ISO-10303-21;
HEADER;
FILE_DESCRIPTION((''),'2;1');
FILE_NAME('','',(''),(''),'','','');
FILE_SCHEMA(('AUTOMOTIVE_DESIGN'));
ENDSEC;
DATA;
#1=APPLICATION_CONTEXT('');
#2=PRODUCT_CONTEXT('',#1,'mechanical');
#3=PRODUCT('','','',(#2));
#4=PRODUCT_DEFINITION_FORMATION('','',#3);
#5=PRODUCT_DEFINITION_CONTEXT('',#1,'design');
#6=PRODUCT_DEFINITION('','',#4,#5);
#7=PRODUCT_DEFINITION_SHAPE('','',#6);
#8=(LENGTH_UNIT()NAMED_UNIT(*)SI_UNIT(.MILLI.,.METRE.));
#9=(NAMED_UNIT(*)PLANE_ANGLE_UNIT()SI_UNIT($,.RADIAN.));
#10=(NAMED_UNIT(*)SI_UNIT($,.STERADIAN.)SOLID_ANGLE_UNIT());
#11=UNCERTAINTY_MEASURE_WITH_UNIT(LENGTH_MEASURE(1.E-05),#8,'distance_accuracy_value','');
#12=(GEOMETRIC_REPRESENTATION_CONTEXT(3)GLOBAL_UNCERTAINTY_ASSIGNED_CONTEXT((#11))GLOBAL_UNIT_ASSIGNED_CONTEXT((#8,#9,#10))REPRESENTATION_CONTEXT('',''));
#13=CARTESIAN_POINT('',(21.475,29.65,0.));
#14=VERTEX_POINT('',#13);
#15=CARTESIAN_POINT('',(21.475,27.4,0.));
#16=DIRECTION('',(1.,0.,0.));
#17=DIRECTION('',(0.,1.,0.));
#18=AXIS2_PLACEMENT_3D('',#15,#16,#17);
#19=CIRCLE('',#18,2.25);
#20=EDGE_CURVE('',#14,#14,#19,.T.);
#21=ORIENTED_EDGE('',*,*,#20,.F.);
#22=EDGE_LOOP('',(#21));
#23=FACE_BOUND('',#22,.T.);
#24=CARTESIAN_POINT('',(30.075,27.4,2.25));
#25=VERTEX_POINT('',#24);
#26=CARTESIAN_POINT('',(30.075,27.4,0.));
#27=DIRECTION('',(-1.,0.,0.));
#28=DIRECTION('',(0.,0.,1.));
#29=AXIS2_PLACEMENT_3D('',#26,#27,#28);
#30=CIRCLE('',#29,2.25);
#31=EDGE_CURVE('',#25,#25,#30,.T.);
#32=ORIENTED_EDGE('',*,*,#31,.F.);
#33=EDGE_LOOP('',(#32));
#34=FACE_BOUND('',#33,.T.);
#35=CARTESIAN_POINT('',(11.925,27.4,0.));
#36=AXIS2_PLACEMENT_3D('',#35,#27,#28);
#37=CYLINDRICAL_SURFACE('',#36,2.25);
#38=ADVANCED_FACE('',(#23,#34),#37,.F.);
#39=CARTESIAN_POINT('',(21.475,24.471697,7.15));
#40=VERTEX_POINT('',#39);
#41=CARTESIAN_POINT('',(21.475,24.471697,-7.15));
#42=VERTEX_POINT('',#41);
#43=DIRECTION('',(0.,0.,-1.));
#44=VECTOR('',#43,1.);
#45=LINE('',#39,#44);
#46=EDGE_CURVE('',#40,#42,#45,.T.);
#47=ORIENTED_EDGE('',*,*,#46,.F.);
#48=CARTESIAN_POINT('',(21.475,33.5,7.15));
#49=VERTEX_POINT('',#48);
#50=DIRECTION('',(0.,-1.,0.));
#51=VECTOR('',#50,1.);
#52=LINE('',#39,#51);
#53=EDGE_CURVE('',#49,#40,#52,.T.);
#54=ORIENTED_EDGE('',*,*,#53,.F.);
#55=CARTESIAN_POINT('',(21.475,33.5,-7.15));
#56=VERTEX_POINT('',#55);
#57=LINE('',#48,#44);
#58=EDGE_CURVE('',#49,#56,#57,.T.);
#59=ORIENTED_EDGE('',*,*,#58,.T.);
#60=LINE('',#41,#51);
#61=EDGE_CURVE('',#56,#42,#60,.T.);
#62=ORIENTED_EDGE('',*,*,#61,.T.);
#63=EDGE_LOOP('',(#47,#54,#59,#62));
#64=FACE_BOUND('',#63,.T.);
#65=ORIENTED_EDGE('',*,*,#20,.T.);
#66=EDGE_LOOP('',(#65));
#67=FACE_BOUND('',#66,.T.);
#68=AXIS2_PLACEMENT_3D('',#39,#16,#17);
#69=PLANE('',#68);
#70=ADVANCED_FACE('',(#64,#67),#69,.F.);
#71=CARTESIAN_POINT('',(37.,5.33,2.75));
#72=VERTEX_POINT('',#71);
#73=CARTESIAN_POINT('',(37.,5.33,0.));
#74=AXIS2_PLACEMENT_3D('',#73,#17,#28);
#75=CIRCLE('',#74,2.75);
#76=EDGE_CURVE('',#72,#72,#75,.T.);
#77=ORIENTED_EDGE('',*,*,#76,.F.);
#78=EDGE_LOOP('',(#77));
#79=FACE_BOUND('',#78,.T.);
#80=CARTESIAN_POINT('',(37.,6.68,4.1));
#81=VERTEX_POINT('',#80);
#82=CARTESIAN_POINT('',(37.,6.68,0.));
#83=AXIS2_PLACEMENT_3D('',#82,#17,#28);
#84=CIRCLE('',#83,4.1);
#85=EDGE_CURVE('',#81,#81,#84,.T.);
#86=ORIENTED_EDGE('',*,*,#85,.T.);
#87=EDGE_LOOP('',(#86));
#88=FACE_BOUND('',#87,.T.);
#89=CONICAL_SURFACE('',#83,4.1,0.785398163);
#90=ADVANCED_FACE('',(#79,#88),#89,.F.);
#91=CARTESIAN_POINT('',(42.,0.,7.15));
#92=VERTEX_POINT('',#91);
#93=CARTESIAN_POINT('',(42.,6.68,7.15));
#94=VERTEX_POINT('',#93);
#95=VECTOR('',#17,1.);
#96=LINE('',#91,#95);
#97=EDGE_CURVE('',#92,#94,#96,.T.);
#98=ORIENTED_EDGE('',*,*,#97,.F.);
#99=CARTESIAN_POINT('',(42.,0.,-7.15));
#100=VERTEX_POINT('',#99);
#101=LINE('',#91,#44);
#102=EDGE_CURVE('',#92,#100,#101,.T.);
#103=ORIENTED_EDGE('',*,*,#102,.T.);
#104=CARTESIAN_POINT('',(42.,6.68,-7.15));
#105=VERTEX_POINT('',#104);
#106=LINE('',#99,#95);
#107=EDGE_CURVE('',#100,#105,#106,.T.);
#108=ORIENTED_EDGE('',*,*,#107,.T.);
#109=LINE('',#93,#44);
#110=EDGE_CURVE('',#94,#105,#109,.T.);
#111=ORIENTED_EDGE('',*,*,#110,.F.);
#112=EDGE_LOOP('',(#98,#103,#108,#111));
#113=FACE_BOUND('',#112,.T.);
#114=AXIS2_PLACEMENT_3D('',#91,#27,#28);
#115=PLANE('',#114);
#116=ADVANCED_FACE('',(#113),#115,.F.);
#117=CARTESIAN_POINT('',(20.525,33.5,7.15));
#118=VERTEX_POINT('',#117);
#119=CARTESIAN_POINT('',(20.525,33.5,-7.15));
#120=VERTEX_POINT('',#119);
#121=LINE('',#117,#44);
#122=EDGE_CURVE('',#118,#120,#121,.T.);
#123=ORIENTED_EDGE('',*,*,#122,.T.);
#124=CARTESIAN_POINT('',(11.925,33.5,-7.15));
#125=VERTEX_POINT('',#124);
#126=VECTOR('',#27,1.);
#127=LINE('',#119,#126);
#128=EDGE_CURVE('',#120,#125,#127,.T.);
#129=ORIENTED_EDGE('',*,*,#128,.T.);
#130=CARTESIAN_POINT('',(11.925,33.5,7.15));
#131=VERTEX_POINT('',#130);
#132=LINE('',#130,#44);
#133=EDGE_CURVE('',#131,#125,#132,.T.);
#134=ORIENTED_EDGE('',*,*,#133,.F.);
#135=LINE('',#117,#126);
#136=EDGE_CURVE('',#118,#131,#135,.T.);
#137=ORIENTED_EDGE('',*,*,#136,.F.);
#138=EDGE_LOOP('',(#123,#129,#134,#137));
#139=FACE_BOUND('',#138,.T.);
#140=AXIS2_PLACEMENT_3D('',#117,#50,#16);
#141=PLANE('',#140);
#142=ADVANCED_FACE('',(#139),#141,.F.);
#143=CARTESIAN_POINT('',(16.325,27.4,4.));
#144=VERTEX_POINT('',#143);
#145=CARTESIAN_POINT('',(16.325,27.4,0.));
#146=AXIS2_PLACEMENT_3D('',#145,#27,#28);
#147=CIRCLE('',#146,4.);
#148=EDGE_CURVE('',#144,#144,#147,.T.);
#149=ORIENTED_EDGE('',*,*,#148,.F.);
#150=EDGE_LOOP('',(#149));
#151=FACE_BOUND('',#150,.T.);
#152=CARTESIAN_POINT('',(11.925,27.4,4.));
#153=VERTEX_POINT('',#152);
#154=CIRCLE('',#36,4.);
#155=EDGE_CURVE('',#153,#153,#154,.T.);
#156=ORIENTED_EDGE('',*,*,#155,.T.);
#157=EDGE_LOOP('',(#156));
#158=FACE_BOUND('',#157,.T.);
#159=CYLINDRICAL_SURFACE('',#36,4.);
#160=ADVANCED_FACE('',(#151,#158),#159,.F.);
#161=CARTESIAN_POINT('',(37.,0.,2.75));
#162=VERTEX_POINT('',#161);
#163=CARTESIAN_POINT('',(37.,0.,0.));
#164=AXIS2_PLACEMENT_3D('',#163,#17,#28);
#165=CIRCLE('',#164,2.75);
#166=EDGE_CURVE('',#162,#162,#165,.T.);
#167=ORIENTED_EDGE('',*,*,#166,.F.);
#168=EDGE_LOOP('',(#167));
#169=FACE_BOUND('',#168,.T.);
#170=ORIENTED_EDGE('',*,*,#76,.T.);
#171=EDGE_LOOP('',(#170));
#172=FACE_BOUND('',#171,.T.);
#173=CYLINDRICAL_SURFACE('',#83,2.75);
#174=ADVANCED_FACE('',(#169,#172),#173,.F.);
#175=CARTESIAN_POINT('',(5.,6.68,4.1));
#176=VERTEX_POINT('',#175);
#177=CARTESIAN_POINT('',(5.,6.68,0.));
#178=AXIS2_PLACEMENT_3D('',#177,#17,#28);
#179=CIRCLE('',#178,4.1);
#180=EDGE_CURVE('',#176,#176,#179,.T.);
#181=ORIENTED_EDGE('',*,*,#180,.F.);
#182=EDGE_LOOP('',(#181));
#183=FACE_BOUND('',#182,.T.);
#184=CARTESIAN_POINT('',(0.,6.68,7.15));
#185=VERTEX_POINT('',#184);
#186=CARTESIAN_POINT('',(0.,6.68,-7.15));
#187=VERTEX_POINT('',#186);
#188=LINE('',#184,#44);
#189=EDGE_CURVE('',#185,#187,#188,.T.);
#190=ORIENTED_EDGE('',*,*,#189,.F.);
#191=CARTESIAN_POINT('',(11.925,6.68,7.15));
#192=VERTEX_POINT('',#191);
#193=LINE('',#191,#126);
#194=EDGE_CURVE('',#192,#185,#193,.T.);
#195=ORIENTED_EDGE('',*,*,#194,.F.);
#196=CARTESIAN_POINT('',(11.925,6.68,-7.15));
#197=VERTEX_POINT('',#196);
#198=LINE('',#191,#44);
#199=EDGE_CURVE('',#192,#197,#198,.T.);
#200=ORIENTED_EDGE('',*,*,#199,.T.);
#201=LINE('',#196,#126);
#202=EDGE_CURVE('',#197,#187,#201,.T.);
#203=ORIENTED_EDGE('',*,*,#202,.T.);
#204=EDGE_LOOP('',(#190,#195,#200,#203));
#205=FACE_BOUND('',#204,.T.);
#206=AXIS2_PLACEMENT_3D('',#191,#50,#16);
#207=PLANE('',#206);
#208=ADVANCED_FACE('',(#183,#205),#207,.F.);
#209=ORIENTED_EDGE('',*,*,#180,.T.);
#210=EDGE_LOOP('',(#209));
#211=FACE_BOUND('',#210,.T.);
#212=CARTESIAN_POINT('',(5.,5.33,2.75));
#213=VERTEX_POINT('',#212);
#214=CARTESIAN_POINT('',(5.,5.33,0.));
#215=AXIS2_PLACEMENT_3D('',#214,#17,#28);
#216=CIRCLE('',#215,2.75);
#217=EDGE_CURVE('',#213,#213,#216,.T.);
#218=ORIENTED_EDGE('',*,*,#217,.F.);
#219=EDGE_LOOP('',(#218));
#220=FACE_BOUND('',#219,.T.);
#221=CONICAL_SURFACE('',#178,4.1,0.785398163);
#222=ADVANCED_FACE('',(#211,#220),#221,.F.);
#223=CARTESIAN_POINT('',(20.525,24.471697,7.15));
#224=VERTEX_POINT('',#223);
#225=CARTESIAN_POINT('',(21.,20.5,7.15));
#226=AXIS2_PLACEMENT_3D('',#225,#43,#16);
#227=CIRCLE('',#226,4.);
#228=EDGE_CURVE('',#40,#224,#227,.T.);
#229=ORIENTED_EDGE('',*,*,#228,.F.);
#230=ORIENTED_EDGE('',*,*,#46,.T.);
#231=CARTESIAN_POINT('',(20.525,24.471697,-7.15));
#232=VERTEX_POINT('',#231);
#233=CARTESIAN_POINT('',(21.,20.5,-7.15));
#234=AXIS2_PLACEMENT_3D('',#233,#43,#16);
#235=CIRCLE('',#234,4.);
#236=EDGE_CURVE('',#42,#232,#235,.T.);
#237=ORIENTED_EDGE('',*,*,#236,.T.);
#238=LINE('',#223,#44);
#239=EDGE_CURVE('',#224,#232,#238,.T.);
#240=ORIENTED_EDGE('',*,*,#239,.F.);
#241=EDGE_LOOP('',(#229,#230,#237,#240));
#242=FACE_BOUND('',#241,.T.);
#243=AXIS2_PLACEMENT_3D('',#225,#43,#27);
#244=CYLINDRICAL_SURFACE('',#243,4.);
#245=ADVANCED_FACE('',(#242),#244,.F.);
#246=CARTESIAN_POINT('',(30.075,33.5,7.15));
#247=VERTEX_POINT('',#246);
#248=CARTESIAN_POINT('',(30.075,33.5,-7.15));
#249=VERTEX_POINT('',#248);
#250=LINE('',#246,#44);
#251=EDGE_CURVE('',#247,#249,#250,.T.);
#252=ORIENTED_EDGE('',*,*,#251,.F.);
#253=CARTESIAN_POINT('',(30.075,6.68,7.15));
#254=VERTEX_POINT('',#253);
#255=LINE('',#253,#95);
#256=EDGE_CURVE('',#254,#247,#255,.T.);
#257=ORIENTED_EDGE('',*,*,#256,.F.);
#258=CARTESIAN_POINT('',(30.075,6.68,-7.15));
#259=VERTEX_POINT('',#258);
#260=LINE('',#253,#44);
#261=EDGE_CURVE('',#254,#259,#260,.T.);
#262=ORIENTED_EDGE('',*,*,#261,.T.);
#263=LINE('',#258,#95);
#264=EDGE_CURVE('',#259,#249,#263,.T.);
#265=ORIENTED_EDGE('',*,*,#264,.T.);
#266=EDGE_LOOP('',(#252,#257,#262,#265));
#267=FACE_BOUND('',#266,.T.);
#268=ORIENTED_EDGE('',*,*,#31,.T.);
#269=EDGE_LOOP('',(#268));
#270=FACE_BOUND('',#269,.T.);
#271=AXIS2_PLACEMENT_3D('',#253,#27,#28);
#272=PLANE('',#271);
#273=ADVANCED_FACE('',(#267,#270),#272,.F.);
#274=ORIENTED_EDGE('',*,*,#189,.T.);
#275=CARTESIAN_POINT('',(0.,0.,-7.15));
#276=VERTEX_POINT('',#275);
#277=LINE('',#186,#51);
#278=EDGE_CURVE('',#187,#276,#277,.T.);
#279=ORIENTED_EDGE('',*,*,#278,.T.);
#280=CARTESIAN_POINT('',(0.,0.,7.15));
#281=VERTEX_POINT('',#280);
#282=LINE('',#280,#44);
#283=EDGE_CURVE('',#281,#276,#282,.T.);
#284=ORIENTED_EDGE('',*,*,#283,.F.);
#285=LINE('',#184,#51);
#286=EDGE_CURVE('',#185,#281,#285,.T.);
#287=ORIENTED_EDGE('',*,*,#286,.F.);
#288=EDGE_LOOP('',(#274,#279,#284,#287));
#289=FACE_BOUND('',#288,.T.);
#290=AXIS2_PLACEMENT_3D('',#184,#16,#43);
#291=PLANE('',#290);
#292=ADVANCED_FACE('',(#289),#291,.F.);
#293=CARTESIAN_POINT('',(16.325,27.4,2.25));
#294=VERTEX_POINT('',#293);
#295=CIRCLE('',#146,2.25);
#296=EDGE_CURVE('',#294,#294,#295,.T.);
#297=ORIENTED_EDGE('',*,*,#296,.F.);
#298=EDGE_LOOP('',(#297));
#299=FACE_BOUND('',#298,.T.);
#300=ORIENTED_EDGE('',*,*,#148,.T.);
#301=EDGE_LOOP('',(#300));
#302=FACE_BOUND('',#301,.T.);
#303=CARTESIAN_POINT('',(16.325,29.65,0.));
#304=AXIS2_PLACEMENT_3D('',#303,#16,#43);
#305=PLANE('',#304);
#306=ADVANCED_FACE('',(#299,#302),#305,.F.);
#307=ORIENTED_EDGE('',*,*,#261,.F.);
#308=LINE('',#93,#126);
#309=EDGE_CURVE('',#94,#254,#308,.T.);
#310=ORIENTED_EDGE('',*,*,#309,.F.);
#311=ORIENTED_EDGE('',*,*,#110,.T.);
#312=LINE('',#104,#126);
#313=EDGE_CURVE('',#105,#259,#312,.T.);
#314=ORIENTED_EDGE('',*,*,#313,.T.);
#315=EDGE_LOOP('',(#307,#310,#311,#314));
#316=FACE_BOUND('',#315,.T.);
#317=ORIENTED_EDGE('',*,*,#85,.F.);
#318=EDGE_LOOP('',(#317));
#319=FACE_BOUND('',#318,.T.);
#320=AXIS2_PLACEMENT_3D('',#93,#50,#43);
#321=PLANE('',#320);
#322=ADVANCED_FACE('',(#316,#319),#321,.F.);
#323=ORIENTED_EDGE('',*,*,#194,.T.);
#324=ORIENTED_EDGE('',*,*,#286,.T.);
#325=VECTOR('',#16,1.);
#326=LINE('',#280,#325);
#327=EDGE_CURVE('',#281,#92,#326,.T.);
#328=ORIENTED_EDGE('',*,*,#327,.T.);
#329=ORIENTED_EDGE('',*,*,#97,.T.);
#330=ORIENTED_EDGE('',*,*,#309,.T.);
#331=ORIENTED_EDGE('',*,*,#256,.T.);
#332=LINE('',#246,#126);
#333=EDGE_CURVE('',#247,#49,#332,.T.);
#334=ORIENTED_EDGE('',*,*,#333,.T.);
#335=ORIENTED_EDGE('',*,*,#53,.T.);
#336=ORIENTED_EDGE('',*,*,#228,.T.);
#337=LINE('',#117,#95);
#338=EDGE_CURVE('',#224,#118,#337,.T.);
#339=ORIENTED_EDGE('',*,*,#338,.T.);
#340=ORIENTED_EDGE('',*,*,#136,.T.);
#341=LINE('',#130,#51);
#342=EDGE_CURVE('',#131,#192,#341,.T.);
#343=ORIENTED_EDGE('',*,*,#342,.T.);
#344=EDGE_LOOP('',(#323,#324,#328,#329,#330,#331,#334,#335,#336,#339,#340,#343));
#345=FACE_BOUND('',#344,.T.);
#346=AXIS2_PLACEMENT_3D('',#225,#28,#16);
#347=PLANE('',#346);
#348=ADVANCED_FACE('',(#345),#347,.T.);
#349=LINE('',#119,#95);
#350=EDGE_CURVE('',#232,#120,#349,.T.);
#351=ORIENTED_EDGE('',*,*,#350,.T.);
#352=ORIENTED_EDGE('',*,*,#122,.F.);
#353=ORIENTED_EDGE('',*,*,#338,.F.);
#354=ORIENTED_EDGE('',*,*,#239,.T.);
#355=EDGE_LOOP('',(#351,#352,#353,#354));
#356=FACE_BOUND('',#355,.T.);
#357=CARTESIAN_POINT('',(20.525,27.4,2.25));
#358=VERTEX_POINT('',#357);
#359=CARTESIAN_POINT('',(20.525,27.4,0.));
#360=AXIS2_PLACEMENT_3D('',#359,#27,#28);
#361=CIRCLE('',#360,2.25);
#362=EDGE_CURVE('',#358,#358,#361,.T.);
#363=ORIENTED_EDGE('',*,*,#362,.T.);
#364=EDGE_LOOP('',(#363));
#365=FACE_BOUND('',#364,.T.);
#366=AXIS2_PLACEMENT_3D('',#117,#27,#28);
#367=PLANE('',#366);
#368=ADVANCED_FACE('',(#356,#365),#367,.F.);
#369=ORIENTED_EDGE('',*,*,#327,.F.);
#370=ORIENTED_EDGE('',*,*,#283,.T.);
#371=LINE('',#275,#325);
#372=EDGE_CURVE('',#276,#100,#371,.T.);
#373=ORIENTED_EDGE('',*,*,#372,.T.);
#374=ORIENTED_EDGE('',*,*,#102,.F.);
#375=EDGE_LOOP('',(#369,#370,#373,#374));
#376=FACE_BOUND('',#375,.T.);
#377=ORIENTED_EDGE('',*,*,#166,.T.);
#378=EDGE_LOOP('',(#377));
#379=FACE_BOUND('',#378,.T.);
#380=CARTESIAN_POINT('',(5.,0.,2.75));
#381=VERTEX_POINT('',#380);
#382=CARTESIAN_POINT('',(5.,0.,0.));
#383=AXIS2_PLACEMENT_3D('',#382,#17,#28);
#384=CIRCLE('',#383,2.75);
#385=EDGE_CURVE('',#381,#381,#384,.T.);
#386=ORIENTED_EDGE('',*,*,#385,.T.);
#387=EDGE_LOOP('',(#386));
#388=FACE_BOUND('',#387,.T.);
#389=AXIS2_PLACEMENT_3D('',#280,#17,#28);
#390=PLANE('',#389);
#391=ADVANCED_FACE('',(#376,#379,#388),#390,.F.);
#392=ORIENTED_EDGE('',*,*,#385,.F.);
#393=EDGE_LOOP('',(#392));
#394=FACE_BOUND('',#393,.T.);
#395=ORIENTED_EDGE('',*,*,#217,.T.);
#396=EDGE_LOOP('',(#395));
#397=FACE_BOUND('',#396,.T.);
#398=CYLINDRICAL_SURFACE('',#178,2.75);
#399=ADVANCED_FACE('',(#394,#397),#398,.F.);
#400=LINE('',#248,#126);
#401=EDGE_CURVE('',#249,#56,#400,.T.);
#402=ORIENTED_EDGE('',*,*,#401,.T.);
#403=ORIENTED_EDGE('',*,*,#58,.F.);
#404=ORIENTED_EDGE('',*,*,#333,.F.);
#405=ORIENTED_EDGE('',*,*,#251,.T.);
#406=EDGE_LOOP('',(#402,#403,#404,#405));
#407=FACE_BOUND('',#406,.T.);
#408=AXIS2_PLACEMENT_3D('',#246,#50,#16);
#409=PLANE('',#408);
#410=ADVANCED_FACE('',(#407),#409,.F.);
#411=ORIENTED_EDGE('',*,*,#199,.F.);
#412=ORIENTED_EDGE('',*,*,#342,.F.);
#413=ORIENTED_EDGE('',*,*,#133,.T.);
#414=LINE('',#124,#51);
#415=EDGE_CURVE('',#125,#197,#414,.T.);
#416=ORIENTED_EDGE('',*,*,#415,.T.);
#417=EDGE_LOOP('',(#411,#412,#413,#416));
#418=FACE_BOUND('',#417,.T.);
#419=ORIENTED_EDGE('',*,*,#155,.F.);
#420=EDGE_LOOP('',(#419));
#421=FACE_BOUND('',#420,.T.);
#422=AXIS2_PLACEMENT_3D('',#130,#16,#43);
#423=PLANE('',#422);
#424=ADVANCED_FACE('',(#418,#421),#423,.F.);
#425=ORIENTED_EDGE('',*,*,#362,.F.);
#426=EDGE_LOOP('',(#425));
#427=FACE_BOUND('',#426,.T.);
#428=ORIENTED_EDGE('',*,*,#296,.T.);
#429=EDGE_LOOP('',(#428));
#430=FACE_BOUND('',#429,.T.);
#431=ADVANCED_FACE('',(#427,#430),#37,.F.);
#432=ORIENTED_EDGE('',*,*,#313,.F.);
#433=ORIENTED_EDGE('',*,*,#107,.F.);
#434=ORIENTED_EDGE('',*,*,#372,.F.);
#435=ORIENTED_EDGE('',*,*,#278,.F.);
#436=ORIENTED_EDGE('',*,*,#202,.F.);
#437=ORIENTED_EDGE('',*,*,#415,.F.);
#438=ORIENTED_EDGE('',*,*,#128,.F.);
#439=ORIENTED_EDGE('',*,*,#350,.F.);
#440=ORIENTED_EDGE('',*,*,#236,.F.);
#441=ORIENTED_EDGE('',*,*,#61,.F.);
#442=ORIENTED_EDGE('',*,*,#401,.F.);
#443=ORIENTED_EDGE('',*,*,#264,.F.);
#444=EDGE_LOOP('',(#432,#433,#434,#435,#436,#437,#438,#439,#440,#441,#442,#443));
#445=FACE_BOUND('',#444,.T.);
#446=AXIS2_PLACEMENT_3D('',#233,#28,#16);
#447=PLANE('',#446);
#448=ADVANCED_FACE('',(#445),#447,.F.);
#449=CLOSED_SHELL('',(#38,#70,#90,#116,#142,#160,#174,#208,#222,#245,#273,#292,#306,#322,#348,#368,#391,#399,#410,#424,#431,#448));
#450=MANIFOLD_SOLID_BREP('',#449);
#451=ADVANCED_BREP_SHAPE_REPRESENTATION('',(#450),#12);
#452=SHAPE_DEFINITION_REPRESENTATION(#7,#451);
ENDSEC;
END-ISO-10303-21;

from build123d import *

# Parameters (mm, degrees)
BOSS_EXTRUDE1_DEPTH                                  = 7.15
CBORE_FOR_M4_HEX_SOCKET_HEAD_CAP_SCREW1_D            = 4.5
CBORE_FOR_M4_HEX_SOCKET_HEAD_CAP_SCREW1_CBORE_D      = 8
CBORE_FOR_M4_HEX_SOCKET_HEAD_CAP_SCREW1_CBORE_DEPTH  = 4.4
CSK_FOR_M5_HEX_SOCKET_COUNTERSUNK_CAP_SC_D           = 5.5
CSK_FOR_M5_HEX_SOCKET_COUNTERSUNK_CAP_SC_CSINK_D     = 8.2
CSK_FOR_M5_HEX_SOCKET_COUNTERSUNK_CAP_SC_CSINK_ANGLE = 90


with BuildPart() as part:
    # Sketch2 → Boss-Extrude1 (new, symmetric)
    with BuildSketch(Plane.XY):
        with BuildLine():
            Line((11.925, 6.68), (0, 6.68))
            Line((0, 6.68), (0, 0))
            Line((0, 0), (42, 0))
            Line((42, 0), (42, 6.68))
            Line((42, 6.68), (30.075, 6.68))
            Line((30.075, 6.68), (30.075, 33.5))
            Line((30.075, 33.5), (21.475, 33.5))
            Line((21.475, 33.5), (21.475, 24.471696741))
            ThreePointArc((21.475, 24.471696741), (21, 16.5), (20.525, 24.471696741))
            Line((20.525, 24.471696741), (20.525, 33.5))
            Line((20.525, 33.5), (11.925, 33.5))
            Line((11.925, 33.5), (11.925, 6.68))
        make_face()
    extrude(amount=BOSS_EXTRUDE1_DEPTH, both=True)

    # CBORE for M4 Hex Socket Head Cap Screw1 (through all)
    with Locations(Plane.ZY.offset(-11.925)):
        with Locations((0, 27.4)):
            CounterBoreHole(CBORE_FOR_M4_HEX_SOCKET_HEAD_CAP_SCREW1_D / 2, CBORE_FOR_M4_HEX_SOCKET_HEAD_CAP_SCREW1_CBORE_D / 2, CBORE_FOR_M4_HEX_SOCKET_HEAD_CAP_SCREW1_CBORE_DEPTH)

    # CSK for M5 Hex Socket Countersunk Cap Screw1 (through all)
    with Locations(Plane(origin=(0, 6.68, 0), x_dir=(1, 0, 0), z_dir=(0, 1, 0))):
        with Locations((5, 0), (37, 0)):
            CounterSinkHole(CSK_FOR_M5_HEX_SOCKET_COUNTERSUNK_CAP_SC_D / 2, CSK_FOR_M5_HEX_SOCKET_COUNTERSUNK_CAP_SC_CSINK_D / 2, counter_sink_angle=CSK_FOR_M5_HEX_SOCKET_COUNTERSUNK_CAP_SC_CSINK_ANGLE)


solid = part.part
